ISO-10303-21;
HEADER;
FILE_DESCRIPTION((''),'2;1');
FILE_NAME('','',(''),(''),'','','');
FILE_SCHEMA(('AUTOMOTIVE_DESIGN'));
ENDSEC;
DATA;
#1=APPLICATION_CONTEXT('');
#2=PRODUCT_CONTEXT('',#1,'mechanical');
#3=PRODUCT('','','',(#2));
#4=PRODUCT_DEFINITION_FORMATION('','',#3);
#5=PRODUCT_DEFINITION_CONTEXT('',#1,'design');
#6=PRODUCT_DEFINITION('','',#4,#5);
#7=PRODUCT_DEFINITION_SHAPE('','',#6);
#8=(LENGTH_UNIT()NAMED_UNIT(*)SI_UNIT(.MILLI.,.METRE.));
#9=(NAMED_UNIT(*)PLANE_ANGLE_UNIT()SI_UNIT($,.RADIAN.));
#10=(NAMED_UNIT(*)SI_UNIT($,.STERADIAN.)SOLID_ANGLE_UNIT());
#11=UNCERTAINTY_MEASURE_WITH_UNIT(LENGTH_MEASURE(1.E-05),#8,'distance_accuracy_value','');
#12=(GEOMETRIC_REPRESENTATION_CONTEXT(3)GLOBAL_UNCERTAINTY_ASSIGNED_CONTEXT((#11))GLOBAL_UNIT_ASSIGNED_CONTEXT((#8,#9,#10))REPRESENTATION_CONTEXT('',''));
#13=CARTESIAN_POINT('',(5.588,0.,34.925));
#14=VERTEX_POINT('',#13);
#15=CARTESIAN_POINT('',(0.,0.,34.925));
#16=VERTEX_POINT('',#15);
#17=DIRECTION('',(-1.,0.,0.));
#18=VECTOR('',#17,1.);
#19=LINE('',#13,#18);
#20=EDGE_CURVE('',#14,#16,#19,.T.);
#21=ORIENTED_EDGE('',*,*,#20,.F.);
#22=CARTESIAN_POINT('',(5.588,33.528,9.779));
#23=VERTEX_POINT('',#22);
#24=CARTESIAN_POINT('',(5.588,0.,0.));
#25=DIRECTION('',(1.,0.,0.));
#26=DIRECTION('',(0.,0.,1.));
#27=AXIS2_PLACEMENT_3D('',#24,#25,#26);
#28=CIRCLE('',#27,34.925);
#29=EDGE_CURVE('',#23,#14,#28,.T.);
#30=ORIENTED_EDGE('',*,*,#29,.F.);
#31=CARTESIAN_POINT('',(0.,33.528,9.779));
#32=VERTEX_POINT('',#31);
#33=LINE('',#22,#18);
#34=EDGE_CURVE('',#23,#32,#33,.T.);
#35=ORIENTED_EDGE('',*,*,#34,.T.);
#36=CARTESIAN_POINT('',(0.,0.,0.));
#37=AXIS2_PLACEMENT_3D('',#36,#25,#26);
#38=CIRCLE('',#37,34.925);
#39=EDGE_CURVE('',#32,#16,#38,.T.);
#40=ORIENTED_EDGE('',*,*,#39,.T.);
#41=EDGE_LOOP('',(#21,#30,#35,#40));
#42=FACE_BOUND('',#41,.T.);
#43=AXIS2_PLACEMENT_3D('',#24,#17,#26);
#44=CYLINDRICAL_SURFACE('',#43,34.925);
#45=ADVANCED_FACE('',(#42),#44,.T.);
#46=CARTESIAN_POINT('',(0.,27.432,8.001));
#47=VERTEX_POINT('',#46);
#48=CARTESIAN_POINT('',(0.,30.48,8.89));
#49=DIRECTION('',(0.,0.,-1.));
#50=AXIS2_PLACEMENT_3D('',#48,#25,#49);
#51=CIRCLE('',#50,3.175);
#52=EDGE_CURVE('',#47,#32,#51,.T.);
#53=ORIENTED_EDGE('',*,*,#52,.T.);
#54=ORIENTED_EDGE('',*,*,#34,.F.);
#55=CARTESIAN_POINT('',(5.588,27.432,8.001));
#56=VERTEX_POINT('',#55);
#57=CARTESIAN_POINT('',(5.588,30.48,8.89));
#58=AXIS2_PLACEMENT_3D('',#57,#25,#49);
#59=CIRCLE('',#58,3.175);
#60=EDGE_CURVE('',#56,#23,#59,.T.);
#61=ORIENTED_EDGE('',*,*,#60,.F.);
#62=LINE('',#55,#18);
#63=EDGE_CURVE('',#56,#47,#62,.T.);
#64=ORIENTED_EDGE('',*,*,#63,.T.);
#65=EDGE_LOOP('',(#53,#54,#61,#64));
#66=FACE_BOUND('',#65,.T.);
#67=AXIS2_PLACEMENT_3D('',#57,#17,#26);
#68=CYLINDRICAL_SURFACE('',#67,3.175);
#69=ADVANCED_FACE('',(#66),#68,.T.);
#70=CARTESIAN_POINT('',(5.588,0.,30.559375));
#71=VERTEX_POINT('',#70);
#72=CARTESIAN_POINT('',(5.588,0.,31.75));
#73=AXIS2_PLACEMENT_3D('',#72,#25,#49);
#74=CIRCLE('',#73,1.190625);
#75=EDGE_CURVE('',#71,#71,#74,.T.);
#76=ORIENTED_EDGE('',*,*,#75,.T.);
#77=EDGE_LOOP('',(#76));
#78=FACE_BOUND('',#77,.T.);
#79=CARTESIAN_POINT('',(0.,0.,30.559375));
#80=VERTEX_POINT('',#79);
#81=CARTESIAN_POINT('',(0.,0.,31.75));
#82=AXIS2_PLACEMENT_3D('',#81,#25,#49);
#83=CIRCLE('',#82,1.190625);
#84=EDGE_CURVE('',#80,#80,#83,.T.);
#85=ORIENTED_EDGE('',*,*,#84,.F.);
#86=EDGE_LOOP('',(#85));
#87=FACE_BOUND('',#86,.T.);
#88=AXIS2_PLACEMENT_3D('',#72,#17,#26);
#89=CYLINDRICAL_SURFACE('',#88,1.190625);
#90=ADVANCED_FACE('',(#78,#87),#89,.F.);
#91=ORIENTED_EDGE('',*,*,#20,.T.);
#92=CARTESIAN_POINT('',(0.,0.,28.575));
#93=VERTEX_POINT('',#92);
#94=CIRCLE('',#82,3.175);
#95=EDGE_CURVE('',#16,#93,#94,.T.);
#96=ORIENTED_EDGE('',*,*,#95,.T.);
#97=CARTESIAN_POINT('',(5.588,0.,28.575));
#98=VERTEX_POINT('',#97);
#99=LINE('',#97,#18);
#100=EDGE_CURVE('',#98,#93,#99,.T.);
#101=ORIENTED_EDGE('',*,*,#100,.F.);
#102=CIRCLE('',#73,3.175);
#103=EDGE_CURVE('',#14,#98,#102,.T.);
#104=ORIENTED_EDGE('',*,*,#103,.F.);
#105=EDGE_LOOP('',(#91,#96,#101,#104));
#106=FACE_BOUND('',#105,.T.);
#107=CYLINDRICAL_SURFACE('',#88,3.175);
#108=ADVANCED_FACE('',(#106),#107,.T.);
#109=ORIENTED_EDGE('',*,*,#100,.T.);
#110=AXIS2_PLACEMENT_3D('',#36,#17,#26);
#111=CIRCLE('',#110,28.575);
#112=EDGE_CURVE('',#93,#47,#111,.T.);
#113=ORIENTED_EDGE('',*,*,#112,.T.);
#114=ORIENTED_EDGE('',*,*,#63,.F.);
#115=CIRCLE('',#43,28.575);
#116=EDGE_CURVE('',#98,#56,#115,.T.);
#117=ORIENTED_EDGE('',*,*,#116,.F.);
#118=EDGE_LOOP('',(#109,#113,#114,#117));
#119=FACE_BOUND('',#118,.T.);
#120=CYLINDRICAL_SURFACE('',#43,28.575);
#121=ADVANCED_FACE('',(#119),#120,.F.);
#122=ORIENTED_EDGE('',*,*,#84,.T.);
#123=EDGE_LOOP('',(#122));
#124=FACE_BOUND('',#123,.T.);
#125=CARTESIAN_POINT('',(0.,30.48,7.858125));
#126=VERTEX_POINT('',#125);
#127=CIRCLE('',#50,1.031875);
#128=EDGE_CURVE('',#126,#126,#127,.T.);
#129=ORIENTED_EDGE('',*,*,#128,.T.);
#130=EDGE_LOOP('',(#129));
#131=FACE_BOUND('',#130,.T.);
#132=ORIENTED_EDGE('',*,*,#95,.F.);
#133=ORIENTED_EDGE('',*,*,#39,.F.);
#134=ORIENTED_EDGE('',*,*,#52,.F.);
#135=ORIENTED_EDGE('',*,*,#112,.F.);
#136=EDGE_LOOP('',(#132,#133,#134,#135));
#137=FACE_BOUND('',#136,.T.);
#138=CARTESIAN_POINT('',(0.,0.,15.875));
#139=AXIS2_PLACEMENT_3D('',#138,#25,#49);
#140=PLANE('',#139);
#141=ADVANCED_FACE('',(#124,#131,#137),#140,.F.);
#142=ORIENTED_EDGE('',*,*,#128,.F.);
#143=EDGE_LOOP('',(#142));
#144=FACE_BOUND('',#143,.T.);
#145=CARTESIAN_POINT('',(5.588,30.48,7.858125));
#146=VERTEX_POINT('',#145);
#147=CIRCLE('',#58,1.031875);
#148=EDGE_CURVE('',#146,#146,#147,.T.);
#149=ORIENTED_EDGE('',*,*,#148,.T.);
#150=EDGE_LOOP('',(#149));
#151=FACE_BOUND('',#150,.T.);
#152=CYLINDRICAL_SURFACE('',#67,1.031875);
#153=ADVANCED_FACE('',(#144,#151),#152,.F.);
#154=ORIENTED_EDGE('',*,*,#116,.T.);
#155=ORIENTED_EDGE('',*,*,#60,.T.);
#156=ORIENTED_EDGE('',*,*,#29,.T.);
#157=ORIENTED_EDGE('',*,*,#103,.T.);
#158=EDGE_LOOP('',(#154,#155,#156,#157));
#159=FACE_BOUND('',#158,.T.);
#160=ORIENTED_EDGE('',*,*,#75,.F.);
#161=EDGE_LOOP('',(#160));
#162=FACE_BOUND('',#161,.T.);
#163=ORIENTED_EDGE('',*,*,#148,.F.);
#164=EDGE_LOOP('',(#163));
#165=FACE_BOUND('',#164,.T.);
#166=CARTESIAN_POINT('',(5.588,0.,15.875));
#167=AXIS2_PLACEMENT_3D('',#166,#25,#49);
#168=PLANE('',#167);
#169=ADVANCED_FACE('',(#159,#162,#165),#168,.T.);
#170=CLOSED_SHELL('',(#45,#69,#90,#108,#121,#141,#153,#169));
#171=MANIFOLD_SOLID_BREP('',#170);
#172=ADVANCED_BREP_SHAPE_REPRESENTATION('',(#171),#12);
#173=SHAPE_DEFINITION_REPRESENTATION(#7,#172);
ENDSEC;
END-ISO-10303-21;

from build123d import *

# Parameters (mm, degrees)
ESQUISSE1_R        = 1.190625
ESQUISSE1_R_2      = 1.031875
BOSS_EXTRU_1_DEPTH = 5.588


with BuildPart() as part:
    # Esquisse1 → Boss.-Extru.1 (new body)
    with BuildSketch(Plane(origin=(0, 0, 0), x_dir=(0, 0, -1), z_dir=(1, 0, 0))):
        with BuildLine():
            ThreePointArc((-28.575, 0), (-22.86, 17.145), (-8.001, 27.432))
            ThreePointArc((-8.001, 27.432), (-5.842, 31.369), (-9.779, 33.528))
            ThreePointArc((-9.779, 33.528), (-27.94, 20.955), (-34.925, 0))
            ThreePointArc((-34.925, 0), (-31.75, -3.175), (-28.575, 0))
        make_face()
        with Locations((-31.75, 0)):
            Circle(ESQUISSE1_R, mode=Mode.SUBTRACT)
        with Locations((-8.89, 30.48)):
            Circle(ESQUISSE1_R_2, mode=Mode.SUBTRACT)
    extrude(amount=BOSS_EXTRU_1_DEPTH)


solid = part.part
